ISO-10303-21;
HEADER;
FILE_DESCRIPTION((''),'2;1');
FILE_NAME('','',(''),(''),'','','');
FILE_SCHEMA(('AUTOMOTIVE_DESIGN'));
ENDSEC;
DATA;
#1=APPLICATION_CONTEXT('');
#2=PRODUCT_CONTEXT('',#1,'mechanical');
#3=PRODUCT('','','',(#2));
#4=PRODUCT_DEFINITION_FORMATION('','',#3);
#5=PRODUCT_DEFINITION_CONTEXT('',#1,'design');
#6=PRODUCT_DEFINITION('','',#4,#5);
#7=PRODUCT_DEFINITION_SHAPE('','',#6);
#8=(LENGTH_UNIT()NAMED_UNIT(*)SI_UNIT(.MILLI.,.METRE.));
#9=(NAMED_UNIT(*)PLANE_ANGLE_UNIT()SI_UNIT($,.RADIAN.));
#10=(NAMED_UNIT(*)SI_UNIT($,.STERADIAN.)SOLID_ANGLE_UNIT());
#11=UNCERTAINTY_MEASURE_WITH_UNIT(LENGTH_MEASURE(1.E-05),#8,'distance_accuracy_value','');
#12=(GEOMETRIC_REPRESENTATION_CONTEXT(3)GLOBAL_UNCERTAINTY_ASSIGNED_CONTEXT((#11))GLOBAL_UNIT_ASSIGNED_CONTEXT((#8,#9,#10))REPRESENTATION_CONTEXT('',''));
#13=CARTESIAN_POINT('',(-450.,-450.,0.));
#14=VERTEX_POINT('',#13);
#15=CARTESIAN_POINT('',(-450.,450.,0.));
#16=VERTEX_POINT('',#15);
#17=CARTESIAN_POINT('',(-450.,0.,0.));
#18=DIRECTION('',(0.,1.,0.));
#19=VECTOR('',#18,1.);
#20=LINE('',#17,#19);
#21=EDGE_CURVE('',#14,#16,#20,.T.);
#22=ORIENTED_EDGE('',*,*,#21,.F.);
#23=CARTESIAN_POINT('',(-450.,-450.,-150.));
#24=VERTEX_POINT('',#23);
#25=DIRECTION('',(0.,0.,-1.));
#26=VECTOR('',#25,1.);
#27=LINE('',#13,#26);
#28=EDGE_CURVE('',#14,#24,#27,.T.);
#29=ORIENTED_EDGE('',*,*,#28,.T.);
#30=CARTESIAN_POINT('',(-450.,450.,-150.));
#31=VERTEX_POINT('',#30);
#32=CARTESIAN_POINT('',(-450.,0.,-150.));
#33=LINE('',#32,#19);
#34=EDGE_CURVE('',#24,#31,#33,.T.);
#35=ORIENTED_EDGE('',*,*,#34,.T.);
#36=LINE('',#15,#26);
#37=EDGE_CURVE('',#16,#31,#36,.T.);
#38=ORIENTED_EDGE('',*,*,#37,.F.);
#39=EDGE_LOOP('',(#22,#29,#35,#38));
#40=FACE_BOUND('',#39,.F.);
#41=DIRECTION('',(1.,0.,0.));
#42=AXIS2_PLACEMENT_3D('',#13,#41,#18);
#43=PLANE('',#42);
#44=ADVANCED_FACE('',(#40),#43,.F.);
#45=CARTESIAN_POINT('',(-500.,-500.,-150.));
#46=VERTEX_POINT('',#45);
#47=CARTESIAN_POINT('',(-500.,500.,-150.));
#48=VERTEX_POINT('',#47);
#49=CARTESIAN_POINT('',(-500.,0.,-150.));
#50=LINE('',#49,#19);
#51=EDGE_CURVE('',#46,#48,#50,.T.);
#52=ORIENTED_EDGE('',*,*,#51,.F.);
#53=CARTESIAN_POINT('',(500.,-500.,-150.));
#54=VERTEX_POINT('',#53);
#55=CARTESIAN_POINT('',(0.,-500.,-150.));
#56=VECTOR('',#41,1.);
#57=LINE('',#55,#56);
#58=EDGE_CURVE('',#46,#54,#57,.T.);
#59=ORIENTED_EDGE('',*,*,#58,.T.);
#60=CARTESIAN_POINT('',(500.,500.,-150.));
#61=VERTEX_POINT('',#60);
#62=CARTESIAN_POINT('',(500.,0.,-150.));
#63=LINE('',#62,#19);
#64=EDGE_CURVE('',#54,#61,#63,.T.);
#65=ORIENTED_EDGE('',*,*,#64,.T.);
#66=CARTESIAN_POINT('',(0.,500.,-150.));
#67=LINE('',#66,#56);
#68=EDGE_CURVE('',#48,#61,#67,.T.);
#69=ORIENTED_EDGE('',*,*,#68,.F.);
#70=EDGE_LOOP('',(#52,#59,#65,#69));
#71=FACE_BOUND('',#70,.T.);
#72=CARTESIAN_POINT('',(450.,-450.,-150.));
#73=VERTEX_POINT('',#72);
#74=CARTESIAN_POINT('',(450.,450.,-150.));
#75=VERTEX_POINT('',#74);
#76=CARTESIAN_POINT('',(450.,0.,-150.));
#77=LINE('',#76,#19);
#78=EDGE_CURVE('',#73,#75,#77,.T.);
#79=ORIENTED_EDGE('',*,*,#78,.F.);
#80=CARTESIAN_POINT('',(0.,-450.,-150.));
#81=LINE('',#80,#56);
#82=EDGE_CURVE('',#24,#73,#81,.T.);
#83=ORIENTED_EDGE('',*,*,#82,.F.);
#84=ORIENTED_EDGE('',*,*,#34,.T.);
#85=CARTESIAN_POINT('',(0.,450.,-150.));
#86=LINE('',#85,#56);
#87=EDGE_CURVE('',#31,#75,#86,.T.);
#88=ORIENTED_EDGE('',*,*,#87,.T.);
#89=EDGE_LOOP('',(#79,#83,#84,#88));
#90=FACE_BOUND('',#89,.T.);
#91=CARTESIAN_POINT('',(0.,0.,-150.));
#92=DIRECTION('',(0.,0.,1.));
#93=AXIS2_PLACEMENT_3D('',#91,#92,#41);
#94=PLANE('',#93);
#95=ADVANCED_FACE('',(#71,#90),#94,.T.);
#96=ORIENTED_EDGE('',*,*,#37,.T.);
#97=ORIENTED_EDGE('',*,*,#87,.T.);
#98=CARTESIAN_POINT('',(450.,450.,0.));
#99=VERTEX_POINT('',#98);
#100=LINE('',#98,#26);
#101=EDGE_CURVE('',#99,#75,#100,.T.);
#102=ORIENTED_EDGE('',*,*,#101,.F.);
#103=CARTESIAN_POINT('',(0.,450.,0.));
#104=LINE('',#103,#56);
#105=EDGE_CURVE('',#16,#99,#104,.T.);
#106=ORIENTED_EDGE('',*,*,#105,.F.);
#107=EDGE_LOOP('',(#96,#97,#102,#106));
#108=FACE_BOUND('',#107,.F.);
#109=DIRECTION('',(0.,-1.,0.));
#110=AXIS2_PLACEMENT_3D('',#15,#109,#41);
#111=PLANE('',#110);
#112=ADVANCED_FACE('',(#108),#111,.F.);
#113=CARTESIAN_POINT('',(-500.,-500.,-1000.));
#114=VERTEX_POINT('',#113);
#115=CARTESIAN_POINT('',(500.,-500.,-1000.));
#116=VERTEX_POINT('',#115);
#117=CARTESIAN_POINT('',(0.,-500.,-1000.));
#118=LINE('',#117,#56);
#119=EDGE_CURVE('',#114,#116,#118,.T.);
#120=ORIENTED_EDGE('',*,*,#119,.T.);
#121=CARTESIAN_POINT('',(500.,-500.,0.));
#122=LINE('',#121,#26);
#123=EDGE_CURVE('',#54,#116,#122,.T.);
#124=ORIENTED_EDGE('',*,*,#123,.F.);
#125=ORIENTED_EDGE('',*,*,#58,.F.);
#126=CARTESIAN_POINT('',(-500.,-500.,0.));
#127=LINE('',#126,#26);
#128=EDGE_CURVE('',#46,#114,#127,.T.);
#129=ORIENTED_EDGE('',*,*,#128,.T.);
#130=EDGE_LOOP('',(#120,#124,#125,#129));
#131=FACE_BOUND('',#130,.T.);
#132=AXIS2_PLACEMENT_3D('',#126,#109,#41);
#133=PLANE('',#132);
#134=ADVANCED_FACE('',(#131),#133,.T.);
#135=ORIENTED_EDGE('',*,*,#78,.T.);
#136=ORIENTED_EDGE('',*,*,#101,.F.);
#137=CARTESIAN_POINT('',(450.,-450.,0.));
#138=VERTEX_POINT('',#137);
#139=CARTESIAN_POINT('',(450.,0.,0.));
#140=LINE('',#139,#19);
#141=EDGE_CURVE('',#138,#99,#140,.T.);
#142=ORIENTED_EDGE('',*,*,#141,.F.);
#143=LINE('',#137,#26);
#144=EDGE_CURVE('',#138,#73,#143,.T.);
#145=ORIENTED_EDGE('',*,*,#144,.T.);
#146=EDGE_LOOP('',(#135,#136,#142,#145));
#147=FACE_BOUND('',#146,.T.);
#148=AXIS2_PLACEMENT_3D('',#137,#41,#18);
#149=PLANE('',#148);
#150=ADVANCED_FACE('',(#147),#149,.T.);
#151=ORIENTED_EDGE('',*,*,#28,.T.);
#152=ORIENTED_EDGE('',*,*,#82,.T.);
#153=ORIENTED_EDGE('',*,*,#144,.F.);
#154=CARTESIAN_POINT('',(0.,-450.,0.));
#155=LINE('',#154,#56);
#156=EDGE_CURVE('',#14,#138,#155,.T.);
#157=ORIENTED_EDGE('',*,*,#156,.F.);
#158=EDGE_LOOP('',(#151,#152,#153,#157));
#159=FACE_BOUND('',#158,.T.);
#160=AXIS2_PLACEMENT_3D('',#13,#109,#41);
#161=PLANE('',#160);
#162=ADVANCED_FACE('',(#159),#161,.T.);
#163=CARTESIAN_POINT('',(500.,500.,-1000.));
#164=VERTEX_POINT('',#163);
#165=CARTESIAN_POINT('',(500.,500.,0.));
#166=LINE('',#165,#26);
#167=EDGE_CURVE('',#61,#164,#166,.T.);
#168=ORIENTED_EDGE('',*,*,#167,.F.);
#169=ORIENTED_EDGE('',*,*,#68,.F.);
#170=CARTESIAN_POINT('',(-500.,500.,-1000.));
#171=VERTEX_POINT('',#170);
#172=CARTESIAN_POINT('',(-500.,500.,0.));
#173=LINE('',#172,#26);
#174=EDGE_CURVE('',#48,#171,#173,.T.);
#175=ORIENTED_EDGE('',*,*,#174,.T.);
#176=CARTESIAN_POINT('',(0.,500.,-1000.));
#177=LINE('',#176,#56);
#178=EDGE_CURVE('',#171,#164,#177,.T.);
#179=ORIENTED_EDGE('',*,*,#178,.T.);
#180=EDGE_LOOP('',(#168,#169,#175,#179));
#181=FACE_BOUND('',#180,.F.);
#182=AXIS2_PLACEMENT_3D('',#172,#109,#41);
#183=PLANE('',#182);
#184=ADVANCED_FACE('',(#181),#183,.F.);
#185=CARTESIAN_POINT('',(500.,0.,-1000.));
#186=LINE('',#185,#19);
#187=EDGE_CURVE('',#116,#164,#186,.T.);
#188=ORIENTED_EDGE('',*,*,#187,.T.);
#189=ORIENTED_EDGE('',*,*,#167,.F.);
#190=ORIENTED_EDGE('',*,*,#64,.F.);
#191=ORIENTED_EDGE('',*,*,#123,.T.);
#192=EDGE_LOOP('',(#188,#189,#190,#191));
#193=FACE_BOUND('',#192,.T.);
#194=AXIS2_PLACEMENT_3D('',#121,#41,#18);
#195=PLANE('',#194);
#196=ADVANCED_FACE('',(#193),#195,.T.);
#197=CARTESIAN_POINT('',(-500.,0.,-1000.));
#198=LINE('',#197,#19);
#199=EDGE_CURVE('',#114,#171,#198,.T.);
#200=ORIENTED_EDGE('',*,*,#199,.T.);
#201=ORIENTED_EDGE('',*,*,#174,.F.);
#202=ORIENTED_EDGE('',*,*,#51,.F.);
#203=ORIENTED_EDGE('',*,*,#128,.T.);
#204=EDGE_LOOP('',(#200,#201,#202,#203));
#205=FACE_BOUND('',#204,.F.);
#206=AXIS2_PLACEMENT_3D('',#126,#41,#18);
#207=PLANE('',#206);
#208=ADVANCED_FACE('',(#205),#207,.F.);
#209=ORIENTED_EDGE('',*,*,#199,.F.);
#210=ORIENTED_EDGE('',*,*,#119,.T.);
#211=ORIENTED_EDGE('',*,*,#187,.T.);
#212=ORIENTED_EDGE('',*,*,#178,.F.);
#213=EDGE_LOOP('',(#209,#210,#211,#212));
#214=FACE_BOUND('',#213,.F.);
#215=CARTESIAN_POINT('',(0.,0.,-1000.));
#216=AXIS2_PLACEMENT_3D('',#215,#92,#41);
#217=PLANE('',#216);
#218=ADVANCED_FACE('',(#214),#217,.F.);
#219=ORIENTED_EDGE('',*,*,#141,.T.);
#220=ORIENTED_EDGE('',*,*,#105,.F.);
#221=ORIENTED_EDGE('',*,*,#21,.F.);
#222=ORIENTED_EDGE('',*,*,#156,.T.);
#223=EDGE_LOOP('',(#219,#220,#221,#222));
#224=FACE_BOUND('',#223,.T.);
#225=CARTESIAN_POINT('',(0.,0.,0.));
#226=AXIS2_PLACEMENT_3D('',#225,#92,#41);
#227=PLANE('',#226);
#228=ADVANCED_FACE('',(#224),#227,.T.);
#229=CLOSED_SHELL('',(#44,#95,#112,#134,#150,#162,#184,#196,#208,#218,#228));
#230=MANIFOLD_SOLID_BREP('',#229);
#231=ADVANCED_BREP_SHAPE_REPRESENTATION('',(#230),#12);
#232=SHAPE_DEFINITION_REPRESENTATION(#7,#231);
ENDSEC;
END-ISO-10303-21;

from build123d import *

# Parameters (mm, degrees)
F0_W     = 1000
F0_H     = 1000
F1_DEPTH = 1000
F2_W     = 1000
F2_H     = 1000
F2_W_2   = 900
F2_H_2   = 900
F3_DEPTH = 150


with BuildPart() as f1:
    # F0 (on Top) → F1 (new body)
    with BuildSketch(Plane.XY):
        Rectangle(F0_W, F0_H)
    extrude(amount=-F1_DEPTH)

    # F2 (on face) → F3 (cut)
    with BuildSketch(Plane.XY):
        Rectangle(F2_W, F2_H)
        Rectangle(F2_W_2, F2_H_2, mode=Mode.SUBTRACT)
    extrude(amount=-F3_DEPTH, mode=Mode.SUBTRACT)


solid = f1.part
